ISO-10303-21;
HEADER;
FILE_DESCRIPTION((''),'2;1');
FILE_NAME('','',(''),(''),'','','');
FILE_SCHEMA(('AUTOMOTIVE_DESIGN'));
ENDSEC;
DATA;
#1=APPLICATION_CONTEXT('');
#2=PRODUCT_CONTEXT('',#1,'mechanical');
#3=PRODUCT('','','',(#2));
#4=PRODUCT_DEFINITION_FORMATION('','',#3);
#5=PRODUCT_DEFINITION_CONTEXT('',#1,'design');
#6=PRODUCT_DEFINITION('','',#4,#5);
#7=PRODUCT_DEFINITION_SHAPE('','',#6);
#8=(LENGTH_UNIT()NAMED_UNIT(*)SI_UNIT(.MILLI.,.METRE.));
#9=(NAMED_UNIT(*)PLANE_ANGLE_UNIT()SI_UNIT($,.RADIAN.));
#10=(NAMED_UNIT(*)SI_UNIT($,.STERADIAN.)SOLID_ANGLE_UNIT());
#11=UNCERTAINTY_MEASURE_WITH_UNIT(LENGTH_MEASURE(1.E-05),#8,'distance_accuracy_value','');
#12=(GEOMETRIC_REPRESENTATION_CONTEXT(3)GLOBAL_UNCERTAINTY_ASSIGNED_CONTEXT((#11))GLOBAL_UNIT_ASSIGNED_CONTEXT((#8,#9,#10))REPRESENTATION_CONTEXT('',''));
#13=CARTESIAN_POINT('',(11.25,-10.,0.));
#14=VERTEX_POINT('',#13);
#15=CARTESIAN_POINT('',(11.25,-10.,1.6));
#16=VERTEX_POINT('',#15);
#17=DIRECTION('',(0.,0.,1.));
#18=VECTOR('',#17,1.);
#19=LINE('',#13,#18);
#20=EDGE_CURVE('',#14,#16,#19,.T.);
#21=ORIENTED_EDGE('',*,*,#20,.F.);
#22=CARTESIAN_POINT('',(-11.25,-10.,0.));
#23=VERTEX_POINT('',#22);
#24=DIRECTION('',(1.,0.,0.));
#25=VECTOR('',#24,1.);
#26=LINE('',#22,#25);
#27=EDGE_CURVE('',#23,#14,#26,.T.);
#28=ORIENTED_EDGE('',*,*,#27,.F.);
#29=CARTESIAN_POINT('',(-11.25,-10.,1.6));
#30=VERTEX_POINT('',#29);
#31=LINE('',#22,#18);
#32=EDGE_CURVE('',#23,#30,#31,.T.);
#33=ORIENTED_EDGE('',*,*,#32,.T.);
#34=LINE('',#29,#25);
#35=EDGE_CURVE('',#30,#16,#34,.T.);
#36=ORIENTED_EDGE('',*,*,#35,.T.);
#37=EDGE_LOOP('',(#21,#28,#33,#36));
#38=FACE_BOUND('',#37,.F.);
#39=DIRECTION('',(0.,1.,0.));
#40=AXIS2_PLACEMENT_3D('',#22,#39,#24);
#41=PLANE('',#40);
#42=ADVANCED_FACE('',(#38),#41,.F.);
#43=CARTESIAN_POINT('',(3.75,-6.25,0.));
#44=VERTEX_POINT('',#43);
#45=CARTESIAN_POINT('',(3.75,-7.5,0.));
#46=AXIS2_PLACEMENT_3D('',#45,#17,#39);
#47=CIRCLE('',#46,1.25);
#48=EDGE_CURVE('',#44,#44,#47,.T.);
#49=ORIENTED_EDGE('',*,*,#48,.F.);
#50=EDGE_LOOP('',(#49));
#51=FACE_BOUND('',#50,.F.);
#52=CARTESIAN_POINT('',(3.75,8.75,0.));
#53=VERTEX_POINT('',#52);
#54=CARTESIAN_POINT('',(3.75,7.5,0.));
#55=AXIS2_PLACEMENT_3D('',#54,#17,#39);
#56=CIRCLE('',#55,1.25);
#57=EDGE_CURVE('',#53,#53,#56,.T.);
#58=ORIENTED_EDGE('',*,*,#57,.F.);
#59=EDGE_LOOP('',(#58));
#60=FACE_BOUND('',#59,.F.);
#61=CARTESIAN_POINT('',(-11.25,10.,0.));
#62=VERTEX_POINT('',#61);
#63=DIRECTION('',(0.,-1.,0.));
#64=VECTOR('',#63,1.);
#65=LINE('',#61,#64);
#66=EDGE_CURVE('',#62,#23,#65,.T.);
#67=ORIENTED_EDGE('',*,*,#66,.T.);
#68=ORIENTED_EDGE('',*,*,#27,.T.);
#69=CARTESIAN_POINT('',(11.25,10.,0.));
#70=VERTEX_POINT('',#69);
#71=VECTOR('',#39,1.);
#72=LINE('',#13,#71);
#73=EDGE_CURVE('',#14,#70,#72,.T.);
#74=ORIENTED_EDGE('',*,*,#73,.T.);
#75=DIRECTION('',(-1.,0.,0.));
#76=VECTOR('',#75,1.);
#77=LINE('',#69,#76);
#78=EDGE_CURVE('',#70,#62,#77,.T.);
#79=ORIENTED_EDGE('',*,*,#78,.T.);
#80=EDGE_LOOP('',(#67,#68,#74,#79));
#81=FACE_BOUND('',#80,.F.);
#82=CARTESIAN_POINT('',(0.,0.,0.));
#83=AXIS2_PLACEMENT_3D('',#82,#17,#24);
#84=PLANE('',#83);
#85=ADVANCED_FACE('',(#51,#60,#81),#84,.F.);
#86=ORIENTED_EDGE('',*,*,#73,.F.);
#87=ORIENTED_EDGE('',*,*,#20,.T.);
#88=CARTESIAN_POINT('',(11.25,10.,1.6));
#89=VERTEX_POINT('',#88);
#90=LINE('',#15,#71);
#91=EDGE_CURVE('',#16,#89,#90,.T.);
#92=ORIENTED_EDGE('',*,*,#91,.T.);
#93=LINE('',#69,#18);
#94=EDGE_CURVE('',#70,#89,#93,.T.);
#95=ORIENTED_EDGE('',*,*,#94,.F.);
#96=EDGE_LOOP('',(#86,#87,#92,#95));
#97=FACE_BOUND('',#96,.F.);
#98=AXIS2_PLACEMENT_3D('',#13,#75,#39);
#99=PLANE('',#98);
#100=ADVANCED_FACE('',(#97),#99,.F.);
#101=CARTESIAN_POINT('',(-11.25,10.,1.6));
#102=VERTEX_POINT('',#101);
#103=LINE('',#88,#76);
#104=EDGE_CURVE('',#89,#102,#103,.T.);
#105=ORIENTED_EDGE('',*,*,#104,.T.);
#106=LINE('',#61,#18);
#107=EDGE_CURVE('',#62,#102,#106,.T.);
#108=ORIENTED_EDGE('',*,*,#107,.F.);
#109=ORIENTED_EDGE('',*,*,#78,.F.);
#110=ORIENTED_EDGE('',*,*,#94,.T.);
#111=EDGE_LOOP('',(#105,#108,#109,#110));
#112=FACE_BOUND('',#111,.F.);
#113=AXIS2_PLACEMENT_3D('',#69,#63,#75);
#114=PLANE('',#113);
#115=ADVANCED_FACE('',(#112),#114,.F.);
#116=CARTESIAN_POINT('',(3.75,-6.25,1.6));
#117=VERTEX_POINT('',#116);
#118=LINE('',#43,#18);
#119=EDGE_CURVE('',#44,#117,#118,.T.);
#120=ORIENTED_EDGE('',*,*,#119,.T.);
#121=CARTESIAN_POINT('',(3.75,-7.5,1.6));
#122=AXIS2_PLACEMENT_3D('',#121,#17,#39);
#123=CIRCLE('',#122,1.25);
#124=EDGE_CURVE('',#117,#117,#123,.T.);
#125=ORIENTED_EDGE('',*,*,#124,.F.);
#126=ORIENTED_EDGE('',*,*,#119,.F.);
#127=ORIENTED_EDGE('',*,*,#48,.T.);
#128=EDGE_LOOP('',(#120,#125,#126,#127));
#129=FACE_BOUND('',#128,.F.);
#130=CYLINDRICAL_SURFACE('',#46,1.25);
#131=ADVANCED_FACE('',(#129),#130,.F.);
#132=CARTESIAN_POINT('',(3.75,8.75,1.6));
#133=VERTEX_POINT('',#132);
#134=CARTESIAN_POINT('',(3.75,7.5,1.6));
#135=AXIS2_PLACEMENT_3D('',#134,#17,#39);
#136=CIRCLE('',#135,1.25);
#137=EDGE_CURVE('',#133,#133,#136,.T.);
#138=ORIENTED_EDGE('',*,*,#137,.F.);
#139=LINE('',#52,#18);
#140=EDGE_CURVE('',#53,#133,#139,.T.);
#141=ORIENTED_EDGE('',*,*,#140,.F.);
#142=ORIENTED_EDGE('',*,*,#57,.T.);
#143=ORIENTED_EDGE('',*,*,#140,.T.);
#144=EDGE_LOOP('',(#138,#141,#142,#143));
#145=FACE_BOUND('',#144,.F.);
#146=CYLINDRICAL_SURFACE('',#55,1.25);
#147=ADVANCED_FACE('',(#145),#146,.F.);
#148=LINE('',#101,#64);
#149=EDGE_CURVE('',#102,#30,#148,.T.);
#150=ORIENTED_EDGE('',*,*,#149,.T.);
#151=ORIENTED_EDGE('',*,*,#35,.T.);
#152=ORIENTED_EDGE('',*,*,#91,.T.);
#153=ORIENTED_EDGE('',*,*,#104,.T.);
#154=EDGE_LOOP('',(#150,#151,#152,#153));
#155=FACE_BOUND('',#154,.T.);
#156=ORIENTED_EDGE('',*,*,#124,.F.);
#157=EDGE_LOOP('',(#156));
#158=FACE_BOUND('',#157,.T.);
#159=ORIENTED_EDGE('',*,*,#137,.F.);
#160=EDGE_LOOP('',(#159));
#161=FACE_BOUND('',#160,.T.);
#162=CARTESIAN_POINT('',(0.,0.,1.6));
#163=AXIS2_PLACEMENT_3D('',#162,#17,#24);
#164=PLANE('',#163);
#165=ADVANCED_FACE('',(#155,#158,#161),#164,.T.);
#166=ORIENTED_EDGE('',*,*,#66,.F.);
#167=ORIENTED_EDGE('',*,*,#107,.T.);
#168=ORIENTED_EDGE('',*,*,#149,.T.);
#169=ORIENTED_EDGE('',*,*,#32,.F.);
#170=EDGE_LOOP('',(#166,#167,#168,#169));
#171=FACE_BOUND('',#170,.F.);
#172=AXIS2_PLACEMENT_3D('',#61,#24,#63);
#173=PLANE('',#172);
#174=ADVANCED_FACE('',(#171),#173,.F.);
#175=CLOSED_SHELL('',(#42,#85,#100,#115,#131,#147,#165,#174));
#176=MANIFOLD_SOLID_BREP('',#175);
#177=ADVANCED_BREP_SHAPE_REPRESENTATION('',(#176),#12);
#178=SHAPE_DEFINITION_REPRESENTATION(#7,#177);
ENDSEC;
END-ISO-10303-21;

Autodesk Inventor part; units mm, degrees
ref_plane "YZ Plane" through (0, 0, 0) normal (1, 0, 0) x (0, 1, 0)
ref_plane "XZ Plane" through (0, 0, 0) normal (0, 1, 0) x (-1, 0, 0)
ref_plane "XY Plane" through (0, 0, 0) normal (0, 0, 1) x (1, 0, 0)
sketch "Sketch1" plane through (0, 0, 0) normal (0, 0, 1) x (1, 0, 0)
  line L0 (11.25, 10) -> (-11.25, 10)
  line L1 (-11.25, 10) -> (-11.25, -10)
  line L2 (-11.25, -10) -> (11.25, -10)
  line L3 (11.25, -10) -> (11.25, 10)
  line L4 (11.25, 10) -> (-11.25, -10) construction
  line L5 (-11.25, 10) -> (11.25, -10) construction
  line L6 (0, 10) -> (0, -10) construction
  line L7 (11.25, 0) -> (-11.25, 0) construction
  line L8 (0, -10) -> (0, 10) construction
  line L9 (3.75, -7.5) -> (3.75, 7.5) construction
  point P0 (0, 0)
  point P1 (3.75, 0)
  dimension "d0" = 22.5
  dimension "d1" = 20
  dimension "d18" = 7.5
  dimension "d19" = 15
extrude "Extrusion1" add sketch "Sketch1" along normal blind 1.6
hole "Hole1" at (3.75, -7.5, 0) at (3.75, 7.5, 0) direction (0, 0, 1) diameter 2.5 end through all
properties part number "SUSTAINA-SCI-TO-HDMI-BOARD" material "CFRP"
